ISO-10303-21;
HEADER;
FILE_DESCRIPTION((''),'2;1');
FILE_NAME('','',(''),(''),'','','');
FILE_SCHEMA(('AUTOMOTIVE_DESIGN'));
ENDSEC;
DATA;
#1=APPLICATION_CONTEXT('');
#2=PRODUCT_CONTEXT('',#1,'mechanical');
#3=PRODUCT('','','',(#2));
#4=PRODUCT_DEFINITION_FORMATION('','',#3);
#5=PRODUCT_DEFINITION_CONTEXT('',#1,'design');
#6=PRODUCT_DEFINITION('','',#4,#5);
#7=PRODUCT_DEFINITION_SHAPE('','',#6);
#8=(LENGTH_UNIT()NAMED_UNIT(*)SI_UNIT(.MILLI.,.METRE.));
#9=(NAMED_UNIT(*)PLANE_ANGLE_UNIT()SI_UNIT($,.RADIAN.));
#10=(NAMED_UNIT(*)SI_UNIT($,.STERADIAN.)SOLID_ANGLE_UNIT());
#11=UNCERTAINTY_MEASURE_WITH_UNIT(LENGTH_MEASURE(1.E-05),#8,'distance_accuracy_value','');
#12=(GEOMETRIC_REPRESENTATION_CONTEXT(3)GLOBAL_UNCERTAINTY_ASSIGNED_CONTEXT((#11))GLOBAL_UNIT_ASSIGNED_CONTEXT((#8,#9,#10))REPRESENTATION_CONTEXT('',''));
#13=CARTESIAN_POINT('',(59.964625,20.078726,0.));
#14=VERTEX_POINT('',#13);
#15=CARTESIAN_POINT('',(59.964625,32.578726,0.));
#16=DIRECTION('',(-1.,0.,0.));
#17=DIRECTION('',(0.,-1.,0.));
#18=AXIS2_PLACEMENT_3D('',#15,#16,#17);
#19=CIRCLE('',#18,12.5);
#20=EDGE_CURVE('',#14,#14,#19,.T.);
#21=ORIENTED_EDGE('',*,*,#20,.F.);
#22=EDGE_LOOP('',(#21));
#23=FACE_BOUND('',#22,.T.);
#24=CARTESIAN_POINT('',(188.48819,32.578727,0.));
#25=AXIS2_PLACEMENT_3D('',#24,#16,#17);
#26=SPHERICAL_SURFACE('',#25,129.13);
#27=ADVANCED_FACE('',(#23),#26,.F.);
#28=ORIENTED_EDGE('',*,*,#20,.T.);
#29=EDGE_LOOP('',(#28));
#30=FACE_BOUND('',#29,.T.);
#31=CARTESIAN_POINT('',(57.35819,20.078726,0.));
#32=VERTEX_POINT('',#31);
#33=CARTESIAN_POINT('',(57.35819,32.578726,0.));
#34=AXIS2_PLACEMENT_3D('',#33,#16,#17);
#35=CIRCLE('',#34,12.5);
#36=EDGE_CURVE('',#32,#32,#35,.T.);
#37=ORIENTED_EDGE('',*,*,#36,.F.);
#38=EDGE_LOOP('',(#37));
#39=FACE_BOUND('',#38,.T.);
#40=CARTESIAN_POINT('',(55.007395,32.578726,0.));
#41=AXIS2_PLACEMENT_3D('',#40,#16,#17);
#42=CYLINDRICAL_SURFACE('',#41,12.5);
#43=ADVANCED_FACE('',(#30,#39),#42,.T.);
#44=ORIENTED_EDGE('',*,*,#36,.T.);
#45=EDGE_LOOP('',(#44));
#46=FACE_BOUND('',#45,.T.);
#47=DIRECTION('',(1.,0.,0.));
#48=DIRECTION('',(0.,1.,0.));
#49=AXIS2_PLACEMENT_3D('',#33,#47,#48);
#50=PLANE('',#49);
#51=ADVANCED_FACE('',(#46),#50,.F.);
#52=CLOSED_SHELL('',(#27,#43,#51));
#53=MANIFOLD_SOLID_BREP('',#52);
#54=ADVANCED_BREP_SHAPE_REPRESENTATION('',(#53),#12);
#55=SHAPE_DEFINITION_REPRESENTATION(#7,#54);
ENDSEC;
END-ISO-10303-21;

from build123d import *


with BuildPart() as part:
    # 草图1 → 旋转1 (revolve)
    with BuildSketch(Plane.XY, mode=Mode.PRIVATE) as revolve_1_sk:
        with BuildLine():
            Line((57.358190158, 32.578725913), (57.358190158, 45.078725913))
            Line((57.358190158, 45.078725913), (59.964624645, 45.078725913))
            ThreePointArc((59.964624645, 45.078725913), (59.509887953, 38.836076844), (59.35819028, 32.578725913))
            Line((59.35819028, 32.578725913), (57.358190158, 32.578725913))
        make_face()
    revolve(revolve_1_sk.sketch.rotate(Axis((55.007394624, 32.578725913, 0), (1, 0, 0)), 180), axis=Axis((55.007394624, 32.578725913, 0), (1, 0, 0)))  # turned: the seam where the file's is


solid = part.part
